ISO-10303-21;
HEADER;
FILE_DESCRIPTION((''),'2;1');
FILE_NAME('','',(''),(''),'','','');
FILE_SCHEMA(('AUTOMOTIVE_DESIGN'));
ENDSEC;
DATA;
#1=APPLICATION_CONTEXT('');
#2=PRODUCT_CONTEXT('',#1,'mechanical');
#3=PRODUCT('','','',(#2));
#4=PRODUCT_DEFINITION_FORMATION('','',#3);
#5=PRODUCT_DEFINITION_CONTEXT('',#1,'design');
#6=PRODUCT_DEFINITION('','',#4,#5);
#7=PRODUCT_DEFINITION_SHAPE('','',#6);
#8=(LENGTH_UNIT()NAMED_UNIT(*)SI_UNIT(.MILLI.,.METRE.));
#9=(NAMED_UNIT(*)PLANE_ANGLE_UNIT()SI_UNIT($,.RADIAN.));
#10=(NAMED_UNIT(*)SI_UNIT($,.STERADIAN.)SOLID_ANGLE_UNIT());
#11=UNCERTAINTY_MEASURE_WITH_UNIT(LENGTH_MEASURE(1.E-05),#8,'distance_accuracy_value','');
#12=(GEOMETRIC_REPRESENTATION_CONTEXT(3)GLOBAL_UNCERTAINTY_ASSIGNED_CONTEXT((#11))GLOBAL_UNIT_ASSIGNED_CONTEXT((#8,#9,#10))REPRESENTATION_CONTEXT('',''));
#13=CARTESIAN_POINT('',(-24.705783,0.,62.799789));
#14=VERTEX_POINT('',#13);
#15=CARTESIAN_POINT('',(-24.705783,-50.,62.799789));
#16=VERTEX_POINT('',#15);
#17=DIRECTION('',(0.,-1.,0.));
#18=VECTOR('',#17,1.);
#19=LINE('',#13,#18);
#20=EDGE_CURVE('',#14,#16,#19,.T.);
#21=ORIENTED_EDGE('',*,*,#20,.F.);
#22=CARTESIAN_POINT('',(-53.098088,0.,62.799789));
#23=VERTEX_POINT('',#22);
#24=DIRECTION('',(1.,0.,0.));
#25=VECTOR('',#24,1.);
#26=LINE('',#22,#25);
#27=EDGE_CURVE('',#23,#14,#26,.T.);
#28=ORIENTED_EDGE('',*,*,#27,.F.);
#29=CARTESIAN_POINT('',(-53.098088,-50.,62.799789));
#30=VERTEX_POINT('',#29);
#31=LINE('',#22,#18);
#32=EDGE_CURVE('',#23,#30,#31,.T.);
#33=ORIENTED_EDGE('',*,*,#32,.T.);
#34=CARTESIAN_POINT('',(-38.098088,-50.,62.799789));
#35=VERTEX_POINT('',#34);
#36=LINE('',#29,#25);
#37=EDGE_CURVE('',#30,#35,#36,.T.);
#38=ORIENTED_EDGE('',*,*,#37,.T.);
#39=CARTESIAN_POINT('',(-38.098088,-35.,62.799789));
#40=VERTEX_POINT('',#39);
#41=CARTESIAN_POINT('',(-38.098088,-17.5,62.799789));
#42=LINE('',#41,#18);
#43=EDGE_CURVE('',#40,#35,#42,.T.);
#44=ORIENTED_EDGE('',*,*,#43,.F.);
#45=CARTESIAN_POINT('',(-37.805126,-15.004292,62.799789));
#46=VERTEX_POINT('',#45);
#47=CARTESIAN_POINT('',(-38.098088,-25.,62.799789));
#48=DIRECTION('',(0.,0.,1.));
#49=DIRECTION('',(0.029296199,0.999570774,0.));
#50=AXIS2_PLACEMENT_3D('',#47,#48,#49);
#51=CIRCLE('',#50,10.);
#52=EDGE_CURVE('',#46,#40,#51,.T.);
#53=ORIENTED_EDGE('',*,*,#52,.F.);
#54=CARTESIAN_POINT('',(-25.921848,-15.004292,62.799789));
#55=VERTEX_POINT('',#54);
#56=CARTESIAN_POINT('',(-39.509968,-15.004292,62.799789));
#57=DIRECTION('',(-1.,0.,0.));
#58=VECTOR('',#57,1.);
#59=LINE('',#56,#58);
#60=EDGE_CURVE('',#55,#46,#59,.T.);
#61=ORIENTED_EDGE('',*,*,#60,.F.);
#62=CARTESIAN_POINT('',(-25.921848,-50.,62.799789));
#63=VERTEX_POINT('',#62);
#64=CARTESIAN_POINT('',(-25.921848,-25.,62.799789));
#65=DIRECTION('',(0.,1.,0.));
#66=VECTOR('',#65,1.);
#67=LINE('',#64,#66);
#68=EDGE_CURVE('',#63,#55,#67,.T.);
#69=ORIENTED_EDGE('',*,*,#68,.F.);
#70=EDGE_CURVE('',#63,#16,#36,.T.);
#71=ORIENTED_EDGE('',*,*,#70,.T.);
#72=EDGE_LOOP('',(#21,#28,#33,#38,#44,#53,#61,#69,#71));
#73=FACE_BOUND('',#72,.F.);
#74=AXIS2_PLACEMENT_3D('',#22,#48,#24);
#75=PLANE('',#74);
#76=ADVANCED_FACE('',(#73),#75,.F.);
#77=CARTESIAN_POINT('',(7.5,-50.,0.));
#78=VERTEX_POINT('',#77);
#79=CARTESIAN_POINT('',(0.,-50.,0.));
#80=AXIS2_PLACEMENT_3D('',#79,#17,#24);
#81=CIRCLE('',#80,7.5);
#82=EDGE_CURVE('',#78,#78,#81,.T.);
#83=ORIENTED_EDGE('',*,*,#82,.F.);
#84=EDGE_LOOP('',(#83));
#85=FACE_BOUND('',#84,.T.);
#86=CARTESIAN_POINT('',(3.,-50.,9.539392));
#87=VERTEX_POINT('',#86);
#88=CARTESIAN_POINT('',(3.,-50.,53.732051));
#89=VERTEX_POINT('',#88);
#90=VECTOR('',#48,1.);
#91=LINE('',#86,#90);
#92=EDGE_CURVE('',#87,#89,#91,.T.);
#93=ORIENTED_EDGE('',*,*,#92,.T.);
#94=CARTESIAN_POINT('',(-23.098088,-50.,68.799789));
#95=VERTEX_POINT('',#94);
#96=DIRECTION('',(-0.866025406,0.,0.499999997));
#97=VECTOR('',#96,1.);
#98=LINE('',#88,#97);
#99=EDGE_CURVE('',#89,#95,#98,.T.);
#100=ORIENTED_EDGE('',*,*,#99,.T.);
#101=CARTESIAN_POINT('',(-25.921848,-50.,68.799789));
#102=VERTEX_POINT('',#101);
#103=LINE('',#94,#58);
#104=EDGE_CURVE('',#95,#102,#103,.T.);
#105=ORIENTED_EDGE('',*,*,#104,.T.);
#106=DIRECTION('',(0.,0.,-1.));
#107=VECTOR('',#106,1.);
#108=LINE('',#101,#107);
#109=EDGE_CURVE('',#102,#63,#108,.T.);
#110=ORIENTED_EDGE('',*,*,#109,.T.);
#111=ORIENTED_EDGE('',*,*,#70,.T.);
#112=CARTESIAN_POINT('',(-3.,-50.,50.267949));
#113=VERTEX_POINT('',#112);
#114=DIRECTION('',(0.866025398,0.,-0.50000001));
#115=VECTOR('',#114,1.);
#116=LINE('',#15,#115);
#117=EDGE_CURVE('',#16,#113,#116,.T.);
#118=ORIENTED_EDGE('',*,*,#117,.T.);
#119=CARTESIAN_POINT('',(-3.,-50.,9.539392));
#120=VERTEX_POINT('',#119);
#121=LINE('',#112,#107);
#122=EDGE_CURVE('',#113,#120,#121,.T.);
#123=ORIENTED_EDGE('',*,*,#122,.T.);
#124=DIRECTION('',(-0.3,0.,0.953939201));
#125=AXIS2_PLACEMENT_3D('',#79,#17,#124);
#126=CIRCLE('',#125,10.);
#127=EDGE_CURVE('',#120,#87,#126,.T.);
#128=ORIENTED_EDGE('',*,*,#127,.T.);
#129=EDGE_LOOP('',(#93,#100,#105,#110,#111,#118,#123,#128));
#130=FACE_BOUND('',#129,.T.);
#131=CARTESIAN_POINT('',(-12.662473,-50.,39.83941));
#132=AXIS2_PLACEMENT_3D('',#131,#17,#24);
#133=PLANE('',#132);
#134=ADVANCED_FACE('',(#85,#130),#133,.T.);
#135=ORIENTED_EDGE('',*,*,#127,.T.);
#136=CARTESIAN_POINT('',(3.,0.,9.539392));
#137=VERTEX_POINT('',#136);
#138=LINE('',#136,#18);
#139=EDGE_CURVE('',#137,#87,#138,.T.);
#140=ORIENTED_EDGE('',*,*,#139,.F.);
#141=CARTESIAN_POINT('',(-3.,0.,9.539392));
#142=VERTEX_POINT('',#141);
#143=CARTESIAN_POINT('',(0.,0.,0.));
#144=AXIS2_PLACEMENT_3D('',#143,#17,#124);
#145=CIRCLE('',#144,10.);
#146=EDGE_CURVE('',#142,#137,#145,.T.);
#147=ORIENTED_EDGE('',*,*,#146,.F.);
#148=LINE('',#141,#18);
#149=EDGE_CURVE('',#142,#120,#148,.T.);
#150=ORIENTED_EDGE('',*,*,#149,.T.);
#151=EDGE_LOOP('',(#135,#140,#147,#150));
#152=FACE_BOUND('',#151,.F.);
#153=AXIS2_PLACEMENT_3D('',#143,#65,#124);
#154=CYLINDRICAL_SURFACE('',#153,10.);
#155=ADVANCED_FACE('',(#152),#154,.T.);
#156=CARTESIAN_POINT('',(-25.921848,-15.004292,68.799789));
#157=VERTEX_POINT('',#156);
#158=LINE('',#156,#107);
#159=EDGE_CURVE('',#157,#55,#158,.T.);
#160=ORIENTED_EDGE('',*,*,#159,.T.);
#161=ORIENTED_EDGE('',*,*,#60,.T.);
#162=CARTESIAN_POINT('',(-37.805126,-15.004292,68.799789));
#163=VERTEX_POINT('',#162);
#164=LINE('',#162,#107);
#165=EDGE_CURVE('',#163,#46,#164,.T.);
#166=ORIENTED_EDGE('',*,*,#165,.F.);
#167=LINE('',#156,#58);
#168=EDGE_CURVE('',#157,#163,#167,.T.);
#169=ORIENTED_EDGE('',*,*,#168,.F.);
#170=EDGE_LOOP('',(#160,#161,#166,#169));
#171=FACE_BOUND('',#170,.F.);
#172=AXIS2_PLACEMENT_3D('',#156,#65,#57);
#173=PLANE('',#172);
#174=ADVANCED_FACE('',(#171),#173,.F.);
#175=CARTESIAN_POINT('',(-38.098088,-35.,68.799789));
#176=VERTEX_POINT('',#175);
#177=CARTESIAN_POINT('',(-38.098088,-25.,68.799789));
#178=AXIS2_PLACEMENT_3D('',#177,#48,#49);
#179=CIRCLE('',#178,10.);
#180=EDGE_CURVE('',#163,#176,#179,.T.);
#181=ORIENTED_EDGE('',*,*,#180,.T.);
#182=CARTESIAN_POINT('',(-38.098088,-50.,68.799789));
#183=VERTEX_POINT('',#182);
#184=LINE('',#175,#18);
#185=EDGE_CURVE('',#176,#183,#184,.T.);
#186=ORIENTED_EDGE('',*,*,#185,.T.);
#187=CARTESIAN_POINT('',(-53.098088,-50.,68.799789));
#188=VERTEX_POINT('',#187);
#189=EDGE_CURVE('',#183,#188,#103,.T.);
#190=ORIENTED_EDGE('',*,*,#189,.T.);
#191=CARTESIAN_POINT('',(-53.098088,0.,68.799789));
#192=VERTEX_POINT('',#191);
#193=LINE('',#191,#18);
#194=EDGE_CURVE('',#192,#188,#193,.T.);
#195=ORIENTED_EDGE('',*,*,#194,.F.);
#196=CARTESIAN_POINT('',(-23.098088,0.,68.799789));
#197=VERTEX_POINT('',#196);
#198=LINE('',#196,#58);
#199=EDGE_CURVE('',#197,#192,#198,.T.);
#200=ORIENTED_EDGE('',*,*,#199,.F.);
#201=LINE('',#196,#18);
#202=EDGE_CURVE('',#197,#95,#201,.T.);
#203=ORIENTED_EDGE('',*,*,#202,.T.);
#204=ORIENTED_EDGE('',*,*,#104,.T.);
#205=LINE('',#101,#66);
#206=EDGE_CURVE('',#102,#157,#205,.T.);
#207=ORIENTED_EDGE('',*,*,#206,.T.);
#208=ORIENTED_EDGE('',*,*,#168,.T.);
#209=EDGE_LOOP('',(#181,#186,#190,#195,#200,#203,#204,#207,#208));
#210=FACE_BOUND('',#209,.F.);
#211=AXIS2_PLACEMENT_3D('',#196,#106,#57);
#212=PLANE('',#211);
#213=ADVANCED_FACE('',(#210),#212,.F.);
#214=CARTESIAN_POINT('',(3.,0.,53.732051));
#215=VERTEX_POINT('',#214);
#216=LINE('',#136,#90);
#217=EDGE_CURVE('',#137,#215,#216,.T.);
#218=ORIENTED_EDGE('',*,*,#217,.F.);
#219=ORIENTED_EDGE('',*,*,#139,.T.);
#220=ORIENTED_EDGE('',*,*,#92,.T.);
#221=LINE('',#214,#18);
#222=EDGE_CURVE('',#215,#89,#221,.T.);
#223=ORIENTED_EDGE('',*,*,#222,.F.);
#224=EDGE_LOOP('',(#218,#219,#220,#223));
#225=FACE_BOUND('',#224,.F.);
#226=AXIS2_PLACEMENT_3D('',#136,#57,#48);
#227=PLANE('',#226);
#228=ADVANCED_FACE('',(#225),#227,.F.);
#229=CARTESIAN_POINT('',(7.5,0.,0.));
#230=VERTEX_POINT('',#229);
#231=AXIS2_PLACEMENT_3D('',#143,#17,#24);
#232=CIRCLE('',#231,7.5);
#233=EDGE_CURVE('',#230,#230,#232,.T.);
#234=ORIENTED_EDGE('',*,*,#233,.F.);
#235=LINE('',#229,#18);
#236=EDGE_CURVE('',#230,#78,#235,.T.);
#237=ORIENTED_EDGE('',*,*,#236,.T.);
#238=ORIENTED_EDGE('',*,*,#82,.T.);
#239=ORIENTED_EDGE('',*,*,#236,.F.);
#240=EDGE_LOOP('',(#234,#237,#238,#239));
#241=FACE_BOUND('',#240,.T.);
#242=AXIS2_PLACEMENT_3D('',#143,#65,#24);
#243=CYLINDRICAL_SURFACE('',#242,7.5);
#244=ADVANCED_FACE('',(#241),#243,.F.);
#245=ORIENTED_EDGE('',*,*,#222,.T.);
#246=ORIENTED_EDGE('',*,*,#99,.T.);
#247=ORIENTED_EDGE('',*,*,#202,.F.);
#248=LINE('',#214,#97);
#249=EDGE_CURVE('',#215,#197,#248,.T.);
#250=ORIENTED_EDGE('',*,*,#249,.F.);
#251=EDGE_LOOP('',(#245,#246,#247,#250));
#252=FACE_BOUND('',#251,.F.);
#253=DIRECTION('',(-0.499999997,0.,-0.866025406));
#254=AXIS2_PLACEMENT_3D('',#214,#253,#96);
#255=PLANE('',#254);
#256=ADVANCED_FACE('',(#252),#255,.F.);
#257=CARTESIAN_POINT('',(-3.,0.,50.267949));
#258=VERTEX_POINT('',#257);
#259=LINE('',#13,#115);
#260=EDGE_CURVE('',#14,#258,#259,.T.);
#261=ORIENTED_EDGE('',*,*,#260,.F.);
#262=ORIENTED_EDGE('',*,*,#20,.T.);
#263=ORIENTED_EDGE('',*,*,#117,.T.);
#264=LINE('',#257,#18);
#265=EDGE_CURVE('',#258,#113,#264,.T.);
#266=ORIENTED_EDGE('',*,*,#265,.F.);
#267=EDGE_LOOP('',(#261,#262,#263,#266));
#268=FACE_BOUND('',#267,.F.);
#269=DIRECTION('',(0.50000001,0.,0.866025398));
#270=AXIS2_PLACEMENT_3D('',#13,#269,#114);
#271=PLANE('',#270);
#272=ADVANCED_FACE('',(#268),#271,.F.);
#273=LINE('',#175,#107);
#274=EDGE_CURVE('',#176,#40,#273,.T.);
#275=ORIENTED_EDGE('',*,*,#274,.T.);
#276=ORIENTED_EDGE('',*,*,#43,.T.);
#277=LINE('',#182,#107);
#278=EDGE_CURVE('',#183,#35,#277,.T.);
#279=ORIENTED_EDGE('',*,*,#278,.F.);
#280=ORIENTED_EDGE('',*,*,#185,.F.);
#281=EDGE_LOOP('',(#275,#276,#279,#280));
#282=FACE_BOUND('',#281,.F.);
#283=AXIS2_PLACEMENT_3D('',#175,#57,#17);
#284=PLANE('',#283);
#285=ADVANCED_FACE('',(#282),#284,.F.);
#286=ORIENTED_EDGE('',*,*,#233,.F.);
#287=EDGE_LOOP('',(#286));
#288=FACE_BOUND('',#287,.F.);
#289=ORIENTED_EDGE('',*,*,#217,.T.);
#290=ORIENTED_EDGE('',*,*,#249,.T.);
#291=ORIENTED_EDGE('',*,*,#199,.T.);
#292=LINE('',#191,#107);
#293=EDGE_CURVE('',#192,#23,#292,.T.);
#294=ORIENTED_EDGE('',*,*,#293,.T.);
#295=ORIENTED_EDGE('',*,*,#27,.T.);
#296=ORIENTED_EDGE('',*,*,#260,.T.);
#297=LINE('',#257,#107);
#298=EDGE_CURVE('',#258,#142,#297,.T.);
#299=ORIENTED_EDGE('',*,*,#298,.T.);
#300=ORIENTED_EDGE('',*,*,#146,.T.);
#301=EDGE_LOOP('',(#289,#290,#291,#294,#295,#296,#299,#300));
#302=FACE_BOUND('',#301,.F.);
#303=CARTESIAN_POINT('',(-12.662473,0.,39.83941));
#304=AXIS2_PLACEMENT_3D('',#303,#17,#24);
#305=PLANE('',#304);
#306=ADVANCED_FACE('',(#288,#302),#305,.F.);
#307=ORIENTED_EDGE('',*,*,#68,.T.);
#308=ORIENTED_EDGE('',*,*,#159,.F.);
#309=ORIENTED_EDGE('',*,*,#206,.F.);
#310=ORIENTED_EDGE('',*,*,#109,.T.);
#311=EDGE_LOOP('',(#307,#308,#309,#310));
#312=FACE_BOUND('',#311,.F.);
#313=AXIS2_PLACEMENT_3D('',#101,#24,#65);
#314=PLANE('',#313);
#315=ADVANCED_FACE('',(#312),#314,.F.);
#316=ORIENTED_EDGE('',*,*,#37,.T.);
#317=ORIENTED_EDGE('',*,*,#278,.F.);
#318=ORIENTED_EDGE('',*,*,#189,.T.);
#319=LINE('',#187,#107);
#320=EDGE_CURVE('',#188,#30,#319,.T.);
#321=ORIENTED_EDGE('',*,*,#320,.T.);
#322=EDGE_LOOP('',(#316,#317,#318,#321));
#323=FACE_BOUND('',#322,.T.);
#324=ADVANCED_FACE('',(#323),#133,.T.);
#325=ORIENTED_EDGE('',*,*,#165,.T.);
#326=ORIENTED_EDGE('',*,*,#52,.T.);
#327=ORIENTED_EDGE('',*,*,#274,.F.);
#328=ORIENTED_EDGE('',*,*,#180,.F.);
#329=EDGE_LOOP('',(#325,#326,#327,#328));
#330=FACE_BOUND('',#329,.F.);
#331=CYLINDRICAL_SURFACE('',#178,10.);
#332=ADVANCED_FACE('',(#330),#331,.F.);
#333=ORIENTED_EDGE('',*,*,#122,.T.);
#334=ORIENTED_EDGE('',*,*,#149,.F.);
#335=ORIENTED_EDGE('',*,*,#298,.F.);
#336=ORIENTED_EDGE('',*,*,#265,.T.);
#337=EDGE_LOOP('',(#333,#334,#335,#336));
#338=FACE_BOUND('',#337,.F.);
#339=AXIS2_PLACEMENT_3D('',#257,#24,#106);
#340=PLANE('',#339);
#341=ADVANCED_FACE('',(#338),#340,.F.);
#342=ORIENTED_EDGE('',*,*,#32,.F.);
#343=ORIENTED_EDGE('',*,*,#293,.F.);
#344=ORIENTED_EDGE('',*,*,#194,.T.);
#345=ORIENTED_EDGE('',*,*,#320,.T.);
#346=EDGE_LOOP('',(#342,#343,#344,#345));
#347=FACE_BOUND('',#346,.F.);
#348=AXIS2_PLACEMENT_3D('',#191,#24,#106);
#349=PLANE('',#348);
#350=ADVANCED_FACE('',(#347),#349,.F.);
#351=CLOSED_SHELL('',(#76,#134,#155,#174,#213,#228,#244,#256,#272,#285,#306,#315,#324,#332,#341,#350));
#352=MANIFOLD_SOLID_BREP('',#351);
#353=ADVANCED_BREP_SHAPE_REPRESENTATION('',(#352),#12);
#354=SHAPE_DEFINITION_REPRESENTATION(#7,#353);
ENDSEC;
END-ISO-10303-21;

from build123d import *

# Parameters (mm, degrees)
F0_R     = 7.5
F1_DEPTH = 50
F3_DEPTH = 25


with BuildPart() as f1:
    # F0 (on Front) → F1 (new body)
    with BuildSketch(Plane.XZ):
        with BuildLine():
            Line((-3, 50.267949), (-3, 9.539392))
            ThreePointArc((-3, 9.539392), (0, -10), (3, 9.539392))
            Line((3, 9.539392), (3, 53.732051))
            Line((3, 53.732051), (-23.098088, 68.799789))
            Line((-23.098088, 68.799789), (-53.098088, 68.799789))
            Line((-53.098088, 68.799789), (-53.098088, 62.799789))
            Line((-53.098088, 62.799789), (-24.705783, 62.799789))
            Line((-24.705783, 62.799789), (-3, 50.267949))
        make_face()
        Circle(F0_R, mode=Mode.SUBTRACT)
    extrude(amount=F1_DEPTH)

    # F2 (on face) → F3 (cut)
    with BuildSketch(Plane.XY.offset(68.799789)):
        with BuildLine():
            Line((-25.921848, -15.004292), (-37.805126, -15.004292))
            ThreePointArc((-37.805126, -15.004292), (-48.097015, -24.853503), (-38.098088, -35))
            Line((-38.098088, -35), (-38.098088, -50))
            Line((-38.098088, -50), (-25.921848, -50))
            Line((-25.921848, -50), (-25.921848, -20.000448))
            Line((-25.921848, -20.000448), (-25.921848, -15.004292))
        make_face()
    extrude(amount=-F3_DEPTH, mode=Mode.SUBTRACT)


solid = f1.part
